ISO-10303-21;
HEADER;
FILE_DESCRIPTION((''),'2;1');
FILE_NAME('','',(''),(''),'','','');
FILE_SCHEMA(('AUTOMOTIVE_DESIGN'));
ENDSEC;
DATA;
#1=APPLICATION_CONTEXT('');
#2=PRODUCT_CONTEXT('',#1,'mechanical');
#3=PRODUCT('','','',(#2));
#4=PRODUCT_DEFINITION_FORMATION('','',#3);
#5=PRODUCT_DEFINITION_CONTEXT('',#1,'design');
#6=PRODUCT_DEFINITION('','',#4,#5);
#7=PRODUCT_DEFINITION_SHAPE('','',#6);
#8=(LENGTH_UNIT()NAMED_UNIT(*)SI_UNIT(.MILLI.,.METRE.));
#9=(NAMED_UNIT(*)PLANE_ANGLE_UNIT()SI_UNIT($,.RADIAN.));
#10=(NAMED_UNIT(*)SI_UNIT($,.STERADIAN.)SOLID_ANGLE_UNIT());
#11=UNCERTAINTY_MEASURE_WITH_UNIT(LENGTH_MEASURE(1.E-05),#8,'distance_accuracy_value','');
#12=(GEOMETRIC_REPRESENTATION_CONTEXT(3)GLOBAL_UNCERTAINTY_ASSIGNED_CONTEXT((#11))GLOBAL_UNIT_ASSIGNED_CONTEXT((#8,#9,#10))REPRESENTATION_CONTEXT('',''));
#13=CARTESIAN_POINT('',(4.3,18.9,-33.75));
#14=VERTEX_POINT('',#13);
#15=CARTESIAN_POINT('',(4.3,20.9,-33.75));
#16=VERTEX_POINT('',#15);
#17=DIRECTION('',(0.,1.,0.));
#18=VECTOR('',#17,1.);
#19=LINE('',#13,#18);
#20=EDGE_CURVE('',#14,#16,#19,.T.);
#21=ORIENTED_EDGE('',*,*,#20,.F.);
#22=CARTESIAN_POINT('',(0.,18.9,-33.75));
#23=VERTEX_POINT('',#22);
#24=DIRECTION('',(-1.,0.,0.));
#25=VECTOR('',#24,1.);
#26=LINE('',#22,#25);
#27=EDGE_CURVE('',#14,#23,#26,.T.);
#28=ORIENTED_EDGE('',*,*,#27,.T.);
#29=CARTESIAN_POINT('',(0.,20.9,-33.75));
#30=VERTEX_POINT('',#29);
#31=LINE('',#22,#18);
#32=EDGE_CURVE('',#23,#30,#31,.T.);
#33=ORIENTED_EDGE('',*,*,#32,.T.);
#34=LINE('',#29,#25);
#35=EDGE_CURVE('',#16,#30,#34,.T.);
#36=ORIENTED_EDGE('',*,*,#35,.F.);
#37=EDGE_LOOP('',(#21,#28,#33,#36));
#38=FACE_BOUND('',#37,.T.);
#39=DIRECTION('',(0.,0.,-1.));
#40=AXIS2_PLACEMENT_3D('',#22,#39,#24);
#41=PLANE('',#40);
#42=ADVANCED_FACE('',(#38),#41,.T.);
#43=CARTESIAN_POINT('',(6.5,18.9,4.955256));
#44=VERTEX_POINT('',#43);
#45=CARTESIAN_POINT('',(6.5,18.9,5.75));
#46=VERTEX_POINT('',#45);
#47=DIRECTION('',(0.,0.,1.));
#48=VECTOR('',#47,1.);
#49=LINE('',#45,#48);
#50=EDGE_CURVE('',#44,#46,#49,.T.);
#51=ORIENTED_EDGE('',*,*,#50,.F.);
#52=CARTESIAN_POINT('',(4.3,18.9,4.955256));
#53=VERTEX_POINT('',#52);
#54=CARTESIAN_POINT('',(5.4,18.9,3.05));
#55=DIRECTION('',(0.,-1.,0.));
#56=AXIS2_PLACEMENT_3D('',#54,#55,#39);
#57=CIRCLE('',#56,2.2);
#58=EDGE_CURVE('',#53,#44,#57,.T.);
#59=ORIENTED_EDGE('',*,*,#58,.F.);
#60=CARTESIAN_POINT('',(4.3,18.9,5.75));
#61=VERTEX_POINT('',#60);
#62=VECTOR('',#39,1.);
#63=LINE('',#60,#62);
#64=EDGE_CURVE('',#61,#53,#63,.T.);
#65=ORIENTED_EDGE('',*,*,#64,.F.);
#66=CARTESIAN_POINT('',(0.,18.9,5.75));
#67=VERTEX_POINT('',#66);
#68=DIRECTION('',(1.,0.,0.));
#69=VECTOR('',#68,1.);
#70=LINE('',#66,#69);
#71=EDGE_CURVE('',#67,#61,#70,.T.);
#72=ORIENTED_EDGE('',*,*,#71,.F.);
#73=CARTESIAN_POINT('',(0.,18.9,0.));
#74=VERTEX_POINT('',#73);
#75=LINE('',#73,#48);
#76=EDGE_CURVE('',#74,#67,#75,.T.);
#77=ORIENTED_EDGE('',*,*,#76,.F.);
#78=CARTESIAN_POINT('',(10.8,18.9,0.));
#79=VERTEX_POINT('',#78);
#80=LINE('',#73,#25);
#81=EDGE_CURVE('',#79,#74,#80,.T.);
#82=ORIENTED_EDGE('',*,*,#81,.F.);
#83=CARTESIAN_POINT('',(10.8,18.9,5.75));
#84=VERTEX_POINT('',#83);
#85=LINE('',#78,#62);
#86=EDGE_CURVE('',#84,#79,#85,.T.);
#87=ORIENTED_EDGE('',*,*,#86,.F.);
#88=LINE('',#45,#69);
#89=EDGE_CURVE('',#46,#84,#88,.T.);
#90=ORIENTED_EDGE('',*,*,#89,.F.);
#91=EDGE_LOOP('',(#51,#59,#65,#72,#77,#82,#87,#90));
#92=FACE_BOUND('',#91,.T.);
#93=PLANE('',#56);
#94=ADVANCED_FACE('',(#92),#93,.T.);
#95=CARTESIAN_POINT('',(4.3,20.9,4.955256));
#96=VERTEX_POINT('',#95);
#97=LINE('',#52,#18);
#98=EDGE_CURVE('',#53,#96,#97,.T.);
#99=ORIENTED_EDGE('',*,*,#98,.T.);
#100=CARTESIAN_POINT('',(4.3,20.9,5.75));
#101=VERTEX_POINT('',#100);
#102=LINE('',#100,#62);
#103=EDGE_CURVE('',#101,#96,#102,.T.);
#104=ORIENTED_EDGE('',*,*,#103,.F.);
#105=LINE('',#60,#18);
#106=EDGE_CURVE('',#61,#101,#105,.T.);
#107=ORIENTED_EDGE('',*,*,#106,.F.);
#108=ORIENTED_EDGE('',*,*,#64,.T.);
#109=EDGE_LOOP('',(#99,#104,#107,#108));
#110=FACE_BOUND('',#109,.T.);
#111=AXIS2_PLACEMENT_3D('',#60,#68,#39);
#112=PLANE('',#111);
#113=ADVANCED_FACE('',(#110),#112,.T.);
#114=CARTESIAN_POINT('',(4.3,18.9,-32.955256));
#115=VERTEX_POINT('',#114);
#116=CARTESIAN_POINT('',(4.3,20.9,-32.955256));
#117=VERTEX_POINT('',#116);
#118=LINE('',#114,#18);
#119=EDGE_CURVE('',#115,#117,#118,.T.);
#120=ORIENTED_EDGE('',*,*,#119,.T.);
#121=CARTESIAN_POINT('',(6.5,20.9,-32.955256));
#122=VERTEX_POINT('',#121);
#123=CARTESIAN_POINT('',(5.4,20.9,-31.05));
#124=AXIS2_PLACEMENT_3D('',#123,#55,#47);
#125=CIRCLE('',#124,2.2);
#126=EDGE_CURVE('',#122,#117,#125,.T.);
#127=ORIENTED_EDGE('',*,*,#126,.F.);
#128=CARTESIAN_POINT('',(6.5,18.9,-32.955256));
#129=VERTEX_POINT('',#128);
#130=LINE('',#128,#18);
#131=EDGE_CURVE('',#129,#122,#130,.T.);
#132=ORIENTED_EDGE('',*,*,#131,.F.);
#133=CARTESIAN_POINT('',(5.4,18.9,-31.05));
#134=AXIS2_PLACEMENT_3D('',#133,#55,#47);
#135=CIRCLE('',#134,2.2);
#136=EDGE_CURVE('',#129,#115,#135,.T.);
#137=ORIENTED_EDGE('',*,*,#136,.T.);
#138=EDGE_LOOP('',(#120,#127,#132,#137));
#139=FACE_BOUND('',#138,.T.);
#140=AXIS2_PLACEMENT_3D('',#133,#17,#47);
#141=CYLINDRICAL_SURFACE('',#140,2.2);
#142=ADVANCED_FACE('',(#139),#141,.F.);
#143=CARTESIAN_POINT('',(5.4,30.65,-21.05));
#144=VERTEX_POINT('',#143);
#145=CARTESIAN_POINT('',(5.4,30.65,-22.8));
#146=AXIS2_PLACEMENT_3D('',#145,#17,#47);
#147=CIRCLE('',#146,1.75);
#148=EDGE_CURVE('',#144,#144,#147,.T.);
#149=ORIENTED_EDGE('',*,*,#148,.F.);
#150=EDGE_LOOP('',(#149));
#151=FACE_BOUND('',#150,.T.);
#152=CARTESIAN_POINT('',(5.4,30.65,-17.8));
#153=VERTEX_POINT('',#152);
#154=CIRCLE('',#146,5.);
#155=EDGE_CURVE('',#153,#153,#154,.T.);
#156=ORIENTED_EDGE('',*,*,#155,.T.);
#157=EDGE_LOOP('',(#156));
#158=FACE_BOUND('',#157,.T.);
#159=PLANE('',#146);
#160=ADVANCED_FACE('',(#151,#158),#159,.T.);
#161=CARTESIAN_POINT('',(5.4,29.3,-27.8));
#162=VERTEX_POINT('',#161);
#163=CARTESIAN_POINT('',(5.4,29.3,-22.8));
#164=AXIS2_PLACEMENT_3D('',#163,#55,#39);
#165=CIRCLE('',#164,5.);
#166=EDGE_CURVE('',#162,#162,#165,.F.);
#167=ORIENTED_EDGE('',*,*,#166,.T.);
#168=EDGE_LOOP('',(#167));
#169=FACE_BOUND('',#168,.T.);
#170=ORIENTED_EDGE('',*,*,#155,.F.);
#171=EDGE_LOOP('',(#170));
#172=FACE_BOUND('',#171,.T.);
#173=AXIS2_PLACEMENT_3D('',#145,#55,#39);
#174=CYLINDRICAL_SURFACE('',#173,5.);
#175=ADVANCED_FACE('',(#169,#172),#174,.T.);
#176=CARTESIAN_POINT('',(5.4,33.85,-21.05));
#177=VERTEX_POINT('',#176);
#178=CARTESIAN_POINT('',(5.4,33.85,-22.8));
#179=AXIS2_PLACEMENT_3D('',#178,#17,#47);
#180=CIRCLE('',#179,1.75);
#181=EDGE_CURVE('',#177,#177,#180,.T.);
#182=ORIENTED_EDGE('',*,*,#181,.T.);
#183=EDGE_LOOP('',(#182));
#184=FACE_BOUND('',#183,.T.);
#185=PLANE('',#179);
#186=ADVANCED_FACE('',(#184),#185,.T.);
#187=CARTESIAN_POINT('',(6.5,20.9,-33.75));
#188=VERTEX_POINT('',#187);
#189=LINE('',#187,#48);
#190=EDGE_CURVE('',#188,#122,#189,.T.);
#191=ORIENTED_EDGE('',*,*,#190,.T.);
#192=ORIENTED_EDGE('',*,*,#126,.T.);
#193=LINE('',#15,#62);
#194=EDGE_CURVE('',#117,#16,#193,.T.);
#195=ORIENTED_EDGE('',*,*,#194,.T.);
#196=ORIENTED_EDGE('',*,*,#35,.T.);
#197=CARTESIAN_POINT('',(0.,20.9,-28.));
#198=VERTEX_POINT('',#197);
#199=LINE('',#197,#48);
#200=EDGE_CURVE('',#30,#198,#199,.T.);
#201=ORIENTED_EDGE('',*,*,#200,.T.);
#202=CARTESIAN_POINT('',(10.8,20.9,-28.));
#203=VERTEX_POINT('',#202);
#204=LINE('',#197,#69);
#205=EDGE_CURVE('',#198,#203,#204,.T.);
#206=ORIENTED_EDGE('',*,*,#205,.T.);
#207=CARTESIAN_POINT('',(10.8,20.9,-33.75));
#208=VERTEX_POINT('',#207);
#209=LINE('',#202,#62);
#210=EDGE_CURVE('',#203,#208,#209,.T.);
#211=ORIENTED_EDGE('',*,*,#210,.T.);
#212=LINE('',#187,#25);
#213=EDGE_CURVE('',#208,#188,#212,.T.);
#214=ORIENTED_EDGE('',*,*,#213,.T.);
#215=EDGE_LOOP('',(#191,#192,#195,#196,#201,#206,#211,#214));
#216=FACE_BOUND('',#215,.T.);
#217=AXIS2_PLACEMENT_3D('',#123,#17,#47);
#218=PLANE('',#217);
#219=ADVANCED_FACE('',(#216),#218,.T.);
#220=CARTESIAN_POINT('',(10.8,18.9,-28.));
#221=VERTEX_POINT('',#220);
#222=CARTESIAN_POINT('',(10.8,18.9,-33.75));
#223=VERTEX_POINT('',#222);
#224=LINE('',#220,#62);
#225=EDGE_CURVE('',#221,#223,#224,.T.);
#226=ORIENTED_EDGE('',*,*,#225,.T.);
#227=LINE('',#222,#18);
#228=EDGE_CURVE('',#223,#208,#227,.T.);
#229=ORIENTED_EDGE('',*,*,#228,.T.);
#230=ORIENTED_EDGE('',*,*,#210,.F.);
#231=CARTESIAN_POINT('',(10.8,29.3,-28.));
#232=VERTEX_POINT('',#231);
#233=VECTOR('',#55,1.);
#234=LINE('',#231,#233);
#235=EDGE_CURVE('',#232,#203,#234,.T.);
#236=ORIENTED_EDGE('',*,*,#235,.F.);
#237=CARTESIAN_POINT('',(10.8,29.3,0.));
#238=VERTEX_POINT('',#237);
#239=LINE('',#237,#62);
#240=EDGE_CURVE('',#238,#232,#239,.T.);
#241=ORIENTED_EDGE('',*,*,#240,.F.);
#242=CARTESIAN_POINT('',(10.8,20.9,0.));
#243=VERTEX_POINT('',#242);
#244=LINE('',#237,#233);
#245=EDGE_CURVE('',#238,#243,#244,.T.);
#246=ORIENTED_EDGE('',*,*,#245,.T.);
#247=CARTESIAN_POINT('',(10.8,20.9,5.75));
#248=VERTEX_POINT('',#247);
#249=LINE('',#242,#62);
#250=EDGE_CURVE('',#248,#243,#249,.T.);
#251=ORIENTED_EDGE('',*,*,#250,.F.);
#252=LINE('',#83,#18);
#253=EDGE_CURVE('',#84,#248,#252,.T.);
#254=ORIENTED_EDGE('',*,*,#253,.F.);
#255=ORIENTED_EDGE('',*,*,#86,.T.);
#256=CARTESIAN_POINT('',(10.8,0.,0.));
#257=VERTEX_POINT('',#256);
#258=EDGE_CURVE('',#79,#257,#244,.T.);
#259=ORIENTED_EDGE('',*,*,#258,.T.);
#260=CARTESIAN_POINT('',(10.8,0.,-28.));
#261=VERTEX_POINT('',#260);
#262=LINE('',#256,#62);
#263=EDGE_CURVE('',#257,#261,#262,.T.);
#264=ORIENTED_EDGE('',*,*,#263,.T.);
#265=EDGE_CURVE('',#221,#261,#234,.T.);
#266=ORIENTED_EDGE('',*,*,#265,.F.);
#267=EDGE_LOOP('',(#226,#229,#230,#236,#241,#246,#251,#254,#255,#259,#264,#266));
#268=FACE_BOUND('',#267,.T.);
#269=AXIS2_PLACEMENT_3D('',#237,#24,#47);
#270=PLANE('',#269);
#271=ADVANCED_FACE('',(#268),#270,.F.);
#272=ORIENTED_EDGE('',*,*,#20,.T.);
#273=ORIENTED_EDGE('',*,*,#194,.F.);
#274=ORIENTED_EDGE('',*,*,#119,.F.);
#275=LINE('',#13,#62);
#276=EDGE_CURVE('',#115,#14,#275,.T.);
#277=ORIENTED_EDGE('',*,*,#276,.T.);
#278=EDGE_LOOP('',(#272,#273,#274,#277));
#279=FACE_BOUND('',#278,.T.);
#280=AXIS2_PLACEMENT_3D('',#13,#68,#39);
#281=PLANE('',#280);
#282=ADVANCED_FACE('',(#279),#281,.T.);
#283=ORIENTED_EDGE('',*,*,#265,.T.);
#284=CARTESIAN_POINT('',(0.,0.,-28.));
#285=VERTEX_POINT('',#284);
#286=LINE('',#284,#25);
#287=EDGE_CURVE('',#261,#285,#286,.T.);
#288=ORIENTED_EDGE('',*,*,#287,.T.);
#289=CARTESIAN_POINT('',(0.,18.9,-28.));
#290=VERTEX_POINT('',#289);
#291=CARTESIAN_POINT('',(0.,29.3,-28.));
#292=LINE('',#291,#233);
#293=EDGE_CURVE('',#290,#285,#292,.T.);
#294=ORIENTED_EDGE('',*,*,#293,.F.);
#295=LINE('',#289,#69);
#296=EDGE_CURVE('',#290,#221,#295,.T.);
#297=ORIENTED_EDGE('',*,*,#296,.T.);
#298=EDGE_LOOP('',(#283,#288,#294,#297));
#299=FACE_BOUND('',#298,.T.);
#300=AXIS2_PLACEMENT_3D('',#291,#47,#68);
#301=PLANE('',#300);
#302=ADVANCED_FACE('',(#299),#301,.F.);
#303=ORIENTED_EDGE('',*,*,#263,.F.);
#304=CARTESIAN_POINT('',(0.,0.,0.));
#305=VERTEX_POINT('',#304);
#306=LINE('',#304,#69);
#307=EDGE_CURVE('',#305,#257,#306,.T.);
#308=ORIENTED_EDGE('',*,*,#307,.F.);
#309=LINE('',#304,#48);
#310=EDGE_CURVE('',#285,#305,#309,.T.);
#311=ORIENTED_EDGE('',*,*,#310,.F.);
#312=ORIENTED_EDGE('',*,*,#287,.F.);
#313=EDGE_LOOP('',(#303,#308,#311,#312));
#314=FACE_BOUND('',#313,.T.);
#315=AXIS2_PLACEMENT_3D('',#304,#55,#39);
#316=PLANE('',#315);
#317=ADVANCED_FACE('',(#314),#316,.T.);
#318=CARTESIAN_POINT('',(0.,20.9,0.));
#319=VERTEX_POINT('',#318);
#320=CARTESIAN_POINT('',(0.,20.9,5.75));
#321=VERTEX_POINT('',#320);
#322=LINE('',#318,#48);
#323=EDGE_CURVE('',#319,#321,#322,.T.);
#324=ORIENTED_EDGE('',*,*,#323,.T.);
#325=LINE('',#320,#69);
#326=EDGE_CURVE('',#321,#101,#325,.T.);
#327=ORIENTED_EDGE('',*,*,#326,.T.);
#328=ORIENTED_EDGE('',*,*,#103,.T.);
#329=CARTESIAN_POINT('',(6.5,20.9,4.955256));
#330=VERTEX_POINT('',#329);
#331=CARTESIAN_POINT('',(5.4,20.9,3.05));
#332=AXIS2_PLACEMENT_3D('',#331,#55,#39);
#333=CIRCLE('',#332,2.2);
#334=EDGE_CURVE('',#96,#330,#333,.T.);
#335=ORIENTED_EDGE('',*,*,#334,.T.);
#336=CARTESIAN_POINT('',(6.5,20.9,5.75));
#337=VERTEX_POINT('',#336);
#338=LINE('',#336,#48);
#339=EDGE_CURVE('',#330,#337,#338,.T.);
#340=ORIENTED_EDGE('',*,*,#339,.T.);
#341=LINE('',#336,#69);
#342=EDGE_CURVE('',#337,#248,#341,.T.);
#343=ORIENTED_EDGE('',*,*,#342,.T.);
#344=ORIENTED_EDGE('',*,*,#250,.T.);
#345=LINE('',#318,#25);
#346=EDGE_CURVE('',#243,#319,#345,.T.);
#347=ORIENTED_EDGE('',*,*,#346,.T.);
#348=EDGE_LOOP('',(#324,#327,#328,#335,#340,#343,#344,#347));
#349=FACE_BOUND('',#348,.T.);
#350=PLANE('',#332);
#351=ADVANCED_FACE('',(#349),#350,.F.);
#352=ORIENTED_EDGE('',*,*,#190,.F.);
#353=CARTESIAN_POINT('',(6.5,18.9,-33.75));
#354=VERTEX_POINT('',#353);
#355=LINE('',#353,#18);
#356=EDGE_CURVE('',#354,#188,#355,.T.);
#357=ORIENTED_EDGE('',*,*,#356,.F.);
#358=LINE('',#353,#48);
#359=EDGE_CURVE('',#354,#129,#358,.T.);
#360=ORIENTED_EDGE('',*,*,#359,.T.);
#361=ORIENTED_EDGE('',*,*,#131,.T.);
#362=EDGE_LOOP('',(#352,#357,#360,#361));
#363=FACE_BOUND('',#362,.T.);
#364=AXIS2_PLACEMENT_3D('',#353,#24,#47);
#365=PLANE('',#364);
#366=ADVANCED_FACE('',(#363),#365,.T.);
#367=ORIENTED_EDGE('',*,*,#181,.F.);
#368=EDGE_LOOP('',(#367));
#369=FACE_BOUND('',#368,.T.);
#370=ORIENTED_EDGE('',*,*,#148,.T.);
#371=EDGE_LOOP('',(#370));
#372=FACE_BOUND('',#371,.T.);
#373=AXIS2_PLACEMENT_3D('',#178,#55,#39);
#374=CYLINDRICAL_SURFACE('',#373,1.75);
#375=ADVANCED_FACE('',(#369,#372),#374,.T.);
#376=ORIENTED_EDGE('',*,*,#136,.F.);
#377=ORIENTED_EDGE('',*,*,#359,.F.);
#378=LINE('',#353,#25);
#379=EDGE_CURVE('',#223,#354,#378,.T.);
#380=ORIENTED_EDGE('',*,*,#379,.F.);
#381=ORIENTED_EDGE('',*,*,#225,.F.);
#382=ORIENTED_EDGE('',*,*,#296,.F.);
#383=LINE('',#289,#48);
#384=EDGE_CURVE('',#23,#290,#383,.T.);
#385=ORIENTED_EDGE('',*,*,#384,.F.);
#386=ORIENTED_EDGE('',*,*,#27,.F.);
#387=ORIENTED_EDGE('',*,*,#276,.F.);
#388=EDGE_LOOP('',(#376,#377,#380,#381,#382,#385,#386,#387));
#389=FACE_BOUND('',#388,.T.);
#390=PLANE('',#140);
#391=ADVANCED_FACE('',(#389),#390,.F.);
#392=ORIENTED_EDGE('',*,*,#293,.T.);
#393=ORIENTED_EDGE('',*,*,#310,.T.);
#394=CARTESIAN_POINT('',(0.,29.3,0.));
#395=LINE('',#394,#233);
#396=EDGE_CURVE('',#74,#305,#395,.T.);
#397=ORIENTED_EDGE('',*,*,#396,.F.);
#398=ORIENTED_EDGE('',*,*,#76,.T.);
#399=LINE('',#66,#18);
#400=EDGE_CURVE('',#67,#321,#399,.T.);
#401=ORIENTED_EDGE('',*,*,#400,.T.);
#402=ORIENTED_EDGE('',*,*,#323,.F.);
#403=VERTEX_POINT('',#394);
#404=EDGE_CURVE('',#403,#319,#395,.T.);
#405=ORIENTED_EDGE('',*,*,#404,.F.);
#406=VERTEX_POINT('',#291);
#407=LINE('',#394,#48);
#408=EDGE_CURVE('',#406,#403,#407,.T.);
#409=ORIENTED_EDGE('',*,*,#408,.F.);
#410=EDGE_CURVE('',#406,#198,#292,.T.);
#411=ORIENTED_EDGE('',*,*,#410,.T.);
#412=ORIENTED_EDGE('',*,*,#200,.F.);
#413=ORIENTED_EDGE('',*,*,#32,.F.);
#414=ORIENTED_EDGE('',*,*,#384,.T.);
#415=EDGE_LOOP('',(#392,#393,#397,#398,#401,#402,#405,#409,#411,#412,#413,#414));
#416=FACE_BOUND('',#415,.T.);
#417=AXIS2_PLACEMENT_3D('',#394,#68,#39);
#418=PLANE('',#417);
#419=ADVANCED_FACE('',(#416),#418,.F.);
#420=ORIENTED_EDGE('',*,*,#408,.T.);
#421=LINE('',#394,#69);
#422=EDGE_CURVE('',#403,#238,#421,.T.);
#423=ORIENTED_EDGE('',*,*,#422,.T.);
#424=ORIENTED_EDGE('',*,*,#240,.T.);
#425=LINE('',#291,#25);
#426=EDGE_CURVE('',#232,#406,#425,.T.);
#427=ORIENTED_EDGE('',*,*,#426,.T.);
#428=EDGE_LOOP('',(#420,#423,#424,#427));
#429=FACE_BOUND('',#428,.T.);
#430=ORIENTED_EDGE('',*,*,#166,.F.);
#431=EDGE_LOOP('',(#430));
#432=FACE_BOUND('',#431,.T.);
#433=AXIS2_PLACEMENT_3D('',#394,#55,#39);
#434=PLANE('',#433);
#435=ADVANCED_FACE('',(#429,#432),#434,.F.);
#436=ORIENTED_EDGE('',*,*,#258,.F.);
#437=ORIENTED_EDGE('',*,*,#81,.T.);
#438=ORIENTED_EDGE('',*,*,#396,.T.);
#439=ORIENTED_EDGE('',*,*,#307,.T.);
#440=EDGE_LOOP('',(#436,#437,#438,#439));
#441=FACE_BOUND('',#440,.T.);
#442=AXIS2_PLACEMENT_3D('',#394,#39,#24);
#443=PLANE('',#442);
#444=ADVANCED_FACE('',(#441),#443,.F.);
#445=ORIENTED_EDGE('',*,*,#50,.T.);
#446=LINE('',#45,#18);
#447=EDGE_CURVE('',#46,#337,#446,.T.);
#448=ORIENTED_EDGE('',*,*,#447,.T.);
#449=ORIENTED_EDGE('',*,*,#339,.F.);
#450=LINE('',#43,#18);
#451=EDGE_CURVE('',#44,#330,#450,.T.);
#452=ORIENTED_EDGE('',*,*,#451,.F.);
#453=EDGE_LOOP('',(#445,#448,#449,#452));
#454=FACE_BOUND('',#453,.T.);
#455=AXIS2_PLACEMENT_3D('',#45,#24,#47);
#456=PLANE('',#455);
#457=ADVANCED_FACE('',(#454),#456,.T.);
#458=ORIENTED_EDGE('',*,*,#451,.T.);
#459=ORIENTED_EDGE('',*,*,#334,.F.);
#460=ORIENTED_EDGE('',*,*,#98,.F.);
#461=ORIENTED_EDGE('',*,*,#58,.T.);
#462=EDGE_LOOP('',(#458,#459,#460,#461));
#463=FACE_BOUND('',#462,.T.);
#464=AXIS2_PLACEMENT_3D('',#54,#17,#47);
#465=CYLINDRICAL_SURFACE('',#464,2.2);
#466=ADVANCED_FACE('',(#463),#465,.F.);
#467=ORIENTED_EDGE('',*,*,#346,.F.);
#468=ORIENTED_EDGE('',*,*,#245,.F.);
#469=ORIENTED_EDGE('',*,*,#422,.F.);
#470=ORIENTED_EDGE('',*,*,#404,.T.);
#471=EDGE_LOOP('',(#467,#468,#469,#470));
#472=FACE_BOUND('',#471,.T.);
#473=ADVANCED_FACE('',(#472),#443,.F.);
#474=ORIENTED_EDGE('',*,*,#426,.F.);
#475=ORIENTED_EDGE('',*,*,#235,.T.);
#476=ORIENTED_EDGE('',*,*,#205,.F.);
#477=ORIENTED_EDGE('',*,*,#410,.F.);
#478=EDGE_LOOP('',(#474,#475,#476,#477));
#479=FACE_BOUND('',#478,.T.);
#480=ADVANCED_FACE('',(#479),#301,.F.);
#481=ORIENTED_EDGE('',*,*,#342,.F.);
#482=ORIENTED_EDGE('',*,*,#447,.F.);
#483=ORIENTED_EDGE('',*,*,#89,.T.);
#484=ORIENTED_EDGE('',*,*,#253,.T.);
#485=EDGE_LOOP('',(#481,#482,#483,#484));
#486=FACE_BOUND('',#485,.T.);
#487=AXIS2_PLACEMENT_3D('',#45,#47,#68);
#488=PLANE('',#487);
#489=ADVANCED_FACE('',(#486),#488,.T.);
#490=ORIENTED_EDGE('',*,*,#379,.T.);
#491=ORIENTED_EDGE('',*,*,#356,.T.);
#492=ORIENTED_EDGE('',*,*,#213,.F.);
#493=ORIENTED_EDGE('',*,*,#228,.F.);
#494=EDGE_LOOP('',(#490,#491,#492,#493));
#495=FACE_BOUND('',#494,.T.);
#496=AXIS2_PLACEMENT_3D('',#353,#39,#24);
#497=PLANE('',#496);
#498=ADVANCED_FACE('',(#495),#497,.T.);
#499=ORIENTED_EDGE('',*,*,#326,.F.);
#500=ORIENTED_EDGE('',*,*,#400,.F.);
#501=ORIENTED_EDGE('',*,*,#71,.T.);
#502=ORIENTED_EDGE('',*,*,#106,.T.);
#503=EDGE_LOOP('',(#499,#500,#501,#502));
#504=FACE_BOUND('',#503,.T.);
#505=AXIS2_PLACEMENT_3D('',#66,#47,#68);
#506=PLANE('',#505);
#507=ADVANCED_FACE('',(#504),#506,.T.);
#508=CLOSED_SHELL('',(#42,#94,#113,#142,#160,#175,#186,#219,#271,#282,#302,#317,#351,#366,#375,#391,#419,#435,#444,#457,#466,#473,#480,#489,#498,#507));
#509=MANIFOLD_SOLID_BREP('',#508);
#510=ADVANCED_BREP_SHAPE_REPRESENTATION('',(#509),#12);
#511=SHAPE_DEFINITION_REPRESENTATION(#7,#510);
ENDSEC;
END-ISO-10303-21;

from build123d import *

# Parameters (mm, degrees)
SKETCH1_W           = 10.8
SKETCH1_H           = 28
BOSS_EXTRUDE1_DEPTH = 29.3
BOSS_EXTRUDE2_DEPTH = 2
SKETCH3_R           = 5
BOSS_EXTRUDE3_DEPTH = 1.35
SKETCH4_R           = 1.75
BOSS_EXTRUDE4_DEPTH = 3.2


with BuildPart() as part:
    # Sketch1 → Boss-Extrude1 (new body)
    with BuildSketch(Plane(origin=(0, 0, 0), x_dir=(1, 0, 0), z_dir=(0, 1, 0))):
        with Locations((5.4, 14)):
            Rectangle(SKETCH1_W, SKETCH1_H)
    extrude(amount=BOSS_EXTRUDE1_DEPTH)

    # Sketch2 → Boss-Extrude2 (add)
    with BuildSketch(Plane(origin=(0, 20.9, 0), x_dir=(1, 0, 0), z_dir=(0, 1, 0))):
        with BuildLine():
            Line((0, 28), (10.8, 28))
            Line((10.8, 28), (10.8, 33.75))
            Line((10.8, 33.75), (6.5, 33.75))
            Line((6.5, 33.75), (6.5, 32.955255888))
            ThreePointArc((6.5, 32.955255888), (5.4, 28.85), (4.3, 32.955255888))
            Line((4.3, 32.955255888), (4.3, 33.75))
            Line((4.3, 33.75), (0, 33.75))
            Line((0, 33.75), (0, 28))
        make_face()
        with BuildLine():
            Line((10.8, 0), (10.8, -5.75))
            Line((10.8, -5.75), (6.5, -5.75))
            Line((6.5, -5.75), (6.5, -4.955255888))
            ThreePointArc((6.5, -4.955255888), (5.4, -0.85), (4.3, -4.955255888))
            Line((4.3, -4.955255888), (4.3, -5.75))
            Line((4.3, -5.75), (0, -5.75))
            Line((0, -5.75), (0, 0))
            Line((0, 0), (10.8, 0))
        make_face()
    extrude(amount=-BOSS_EXTRUDE2_DEPTH)

    # Sketch3 → Boss-Extrude3 (add)
    with BuildSketch(Plane(origin=(0, 29.3, 0), x_dir=(1, 0, 0), z_dir=(0, 1, 0))):
        with Locations(Location((5.4, 22.8, 0), (0, 0, 90))):
            Circle(SKETCH3_R)
    extrude(amount=BOSS_EXTRUDE3_DEPTH)

    # Sketch4 → Boss-Extrude4 (add)
    with BuildSketch(Plane(origin=(0, 30.65, 0), x_dir=(1, 0, 0), z_dir=(0, 1, 0))):
        with Locations(Location((5.4, 22.8, 0), (0, 0, 270))):
            Circle(SKETCH4_R)
    extrude(amount=BOSS_EXTRUDE4_DEPTH)


solid = part.part
